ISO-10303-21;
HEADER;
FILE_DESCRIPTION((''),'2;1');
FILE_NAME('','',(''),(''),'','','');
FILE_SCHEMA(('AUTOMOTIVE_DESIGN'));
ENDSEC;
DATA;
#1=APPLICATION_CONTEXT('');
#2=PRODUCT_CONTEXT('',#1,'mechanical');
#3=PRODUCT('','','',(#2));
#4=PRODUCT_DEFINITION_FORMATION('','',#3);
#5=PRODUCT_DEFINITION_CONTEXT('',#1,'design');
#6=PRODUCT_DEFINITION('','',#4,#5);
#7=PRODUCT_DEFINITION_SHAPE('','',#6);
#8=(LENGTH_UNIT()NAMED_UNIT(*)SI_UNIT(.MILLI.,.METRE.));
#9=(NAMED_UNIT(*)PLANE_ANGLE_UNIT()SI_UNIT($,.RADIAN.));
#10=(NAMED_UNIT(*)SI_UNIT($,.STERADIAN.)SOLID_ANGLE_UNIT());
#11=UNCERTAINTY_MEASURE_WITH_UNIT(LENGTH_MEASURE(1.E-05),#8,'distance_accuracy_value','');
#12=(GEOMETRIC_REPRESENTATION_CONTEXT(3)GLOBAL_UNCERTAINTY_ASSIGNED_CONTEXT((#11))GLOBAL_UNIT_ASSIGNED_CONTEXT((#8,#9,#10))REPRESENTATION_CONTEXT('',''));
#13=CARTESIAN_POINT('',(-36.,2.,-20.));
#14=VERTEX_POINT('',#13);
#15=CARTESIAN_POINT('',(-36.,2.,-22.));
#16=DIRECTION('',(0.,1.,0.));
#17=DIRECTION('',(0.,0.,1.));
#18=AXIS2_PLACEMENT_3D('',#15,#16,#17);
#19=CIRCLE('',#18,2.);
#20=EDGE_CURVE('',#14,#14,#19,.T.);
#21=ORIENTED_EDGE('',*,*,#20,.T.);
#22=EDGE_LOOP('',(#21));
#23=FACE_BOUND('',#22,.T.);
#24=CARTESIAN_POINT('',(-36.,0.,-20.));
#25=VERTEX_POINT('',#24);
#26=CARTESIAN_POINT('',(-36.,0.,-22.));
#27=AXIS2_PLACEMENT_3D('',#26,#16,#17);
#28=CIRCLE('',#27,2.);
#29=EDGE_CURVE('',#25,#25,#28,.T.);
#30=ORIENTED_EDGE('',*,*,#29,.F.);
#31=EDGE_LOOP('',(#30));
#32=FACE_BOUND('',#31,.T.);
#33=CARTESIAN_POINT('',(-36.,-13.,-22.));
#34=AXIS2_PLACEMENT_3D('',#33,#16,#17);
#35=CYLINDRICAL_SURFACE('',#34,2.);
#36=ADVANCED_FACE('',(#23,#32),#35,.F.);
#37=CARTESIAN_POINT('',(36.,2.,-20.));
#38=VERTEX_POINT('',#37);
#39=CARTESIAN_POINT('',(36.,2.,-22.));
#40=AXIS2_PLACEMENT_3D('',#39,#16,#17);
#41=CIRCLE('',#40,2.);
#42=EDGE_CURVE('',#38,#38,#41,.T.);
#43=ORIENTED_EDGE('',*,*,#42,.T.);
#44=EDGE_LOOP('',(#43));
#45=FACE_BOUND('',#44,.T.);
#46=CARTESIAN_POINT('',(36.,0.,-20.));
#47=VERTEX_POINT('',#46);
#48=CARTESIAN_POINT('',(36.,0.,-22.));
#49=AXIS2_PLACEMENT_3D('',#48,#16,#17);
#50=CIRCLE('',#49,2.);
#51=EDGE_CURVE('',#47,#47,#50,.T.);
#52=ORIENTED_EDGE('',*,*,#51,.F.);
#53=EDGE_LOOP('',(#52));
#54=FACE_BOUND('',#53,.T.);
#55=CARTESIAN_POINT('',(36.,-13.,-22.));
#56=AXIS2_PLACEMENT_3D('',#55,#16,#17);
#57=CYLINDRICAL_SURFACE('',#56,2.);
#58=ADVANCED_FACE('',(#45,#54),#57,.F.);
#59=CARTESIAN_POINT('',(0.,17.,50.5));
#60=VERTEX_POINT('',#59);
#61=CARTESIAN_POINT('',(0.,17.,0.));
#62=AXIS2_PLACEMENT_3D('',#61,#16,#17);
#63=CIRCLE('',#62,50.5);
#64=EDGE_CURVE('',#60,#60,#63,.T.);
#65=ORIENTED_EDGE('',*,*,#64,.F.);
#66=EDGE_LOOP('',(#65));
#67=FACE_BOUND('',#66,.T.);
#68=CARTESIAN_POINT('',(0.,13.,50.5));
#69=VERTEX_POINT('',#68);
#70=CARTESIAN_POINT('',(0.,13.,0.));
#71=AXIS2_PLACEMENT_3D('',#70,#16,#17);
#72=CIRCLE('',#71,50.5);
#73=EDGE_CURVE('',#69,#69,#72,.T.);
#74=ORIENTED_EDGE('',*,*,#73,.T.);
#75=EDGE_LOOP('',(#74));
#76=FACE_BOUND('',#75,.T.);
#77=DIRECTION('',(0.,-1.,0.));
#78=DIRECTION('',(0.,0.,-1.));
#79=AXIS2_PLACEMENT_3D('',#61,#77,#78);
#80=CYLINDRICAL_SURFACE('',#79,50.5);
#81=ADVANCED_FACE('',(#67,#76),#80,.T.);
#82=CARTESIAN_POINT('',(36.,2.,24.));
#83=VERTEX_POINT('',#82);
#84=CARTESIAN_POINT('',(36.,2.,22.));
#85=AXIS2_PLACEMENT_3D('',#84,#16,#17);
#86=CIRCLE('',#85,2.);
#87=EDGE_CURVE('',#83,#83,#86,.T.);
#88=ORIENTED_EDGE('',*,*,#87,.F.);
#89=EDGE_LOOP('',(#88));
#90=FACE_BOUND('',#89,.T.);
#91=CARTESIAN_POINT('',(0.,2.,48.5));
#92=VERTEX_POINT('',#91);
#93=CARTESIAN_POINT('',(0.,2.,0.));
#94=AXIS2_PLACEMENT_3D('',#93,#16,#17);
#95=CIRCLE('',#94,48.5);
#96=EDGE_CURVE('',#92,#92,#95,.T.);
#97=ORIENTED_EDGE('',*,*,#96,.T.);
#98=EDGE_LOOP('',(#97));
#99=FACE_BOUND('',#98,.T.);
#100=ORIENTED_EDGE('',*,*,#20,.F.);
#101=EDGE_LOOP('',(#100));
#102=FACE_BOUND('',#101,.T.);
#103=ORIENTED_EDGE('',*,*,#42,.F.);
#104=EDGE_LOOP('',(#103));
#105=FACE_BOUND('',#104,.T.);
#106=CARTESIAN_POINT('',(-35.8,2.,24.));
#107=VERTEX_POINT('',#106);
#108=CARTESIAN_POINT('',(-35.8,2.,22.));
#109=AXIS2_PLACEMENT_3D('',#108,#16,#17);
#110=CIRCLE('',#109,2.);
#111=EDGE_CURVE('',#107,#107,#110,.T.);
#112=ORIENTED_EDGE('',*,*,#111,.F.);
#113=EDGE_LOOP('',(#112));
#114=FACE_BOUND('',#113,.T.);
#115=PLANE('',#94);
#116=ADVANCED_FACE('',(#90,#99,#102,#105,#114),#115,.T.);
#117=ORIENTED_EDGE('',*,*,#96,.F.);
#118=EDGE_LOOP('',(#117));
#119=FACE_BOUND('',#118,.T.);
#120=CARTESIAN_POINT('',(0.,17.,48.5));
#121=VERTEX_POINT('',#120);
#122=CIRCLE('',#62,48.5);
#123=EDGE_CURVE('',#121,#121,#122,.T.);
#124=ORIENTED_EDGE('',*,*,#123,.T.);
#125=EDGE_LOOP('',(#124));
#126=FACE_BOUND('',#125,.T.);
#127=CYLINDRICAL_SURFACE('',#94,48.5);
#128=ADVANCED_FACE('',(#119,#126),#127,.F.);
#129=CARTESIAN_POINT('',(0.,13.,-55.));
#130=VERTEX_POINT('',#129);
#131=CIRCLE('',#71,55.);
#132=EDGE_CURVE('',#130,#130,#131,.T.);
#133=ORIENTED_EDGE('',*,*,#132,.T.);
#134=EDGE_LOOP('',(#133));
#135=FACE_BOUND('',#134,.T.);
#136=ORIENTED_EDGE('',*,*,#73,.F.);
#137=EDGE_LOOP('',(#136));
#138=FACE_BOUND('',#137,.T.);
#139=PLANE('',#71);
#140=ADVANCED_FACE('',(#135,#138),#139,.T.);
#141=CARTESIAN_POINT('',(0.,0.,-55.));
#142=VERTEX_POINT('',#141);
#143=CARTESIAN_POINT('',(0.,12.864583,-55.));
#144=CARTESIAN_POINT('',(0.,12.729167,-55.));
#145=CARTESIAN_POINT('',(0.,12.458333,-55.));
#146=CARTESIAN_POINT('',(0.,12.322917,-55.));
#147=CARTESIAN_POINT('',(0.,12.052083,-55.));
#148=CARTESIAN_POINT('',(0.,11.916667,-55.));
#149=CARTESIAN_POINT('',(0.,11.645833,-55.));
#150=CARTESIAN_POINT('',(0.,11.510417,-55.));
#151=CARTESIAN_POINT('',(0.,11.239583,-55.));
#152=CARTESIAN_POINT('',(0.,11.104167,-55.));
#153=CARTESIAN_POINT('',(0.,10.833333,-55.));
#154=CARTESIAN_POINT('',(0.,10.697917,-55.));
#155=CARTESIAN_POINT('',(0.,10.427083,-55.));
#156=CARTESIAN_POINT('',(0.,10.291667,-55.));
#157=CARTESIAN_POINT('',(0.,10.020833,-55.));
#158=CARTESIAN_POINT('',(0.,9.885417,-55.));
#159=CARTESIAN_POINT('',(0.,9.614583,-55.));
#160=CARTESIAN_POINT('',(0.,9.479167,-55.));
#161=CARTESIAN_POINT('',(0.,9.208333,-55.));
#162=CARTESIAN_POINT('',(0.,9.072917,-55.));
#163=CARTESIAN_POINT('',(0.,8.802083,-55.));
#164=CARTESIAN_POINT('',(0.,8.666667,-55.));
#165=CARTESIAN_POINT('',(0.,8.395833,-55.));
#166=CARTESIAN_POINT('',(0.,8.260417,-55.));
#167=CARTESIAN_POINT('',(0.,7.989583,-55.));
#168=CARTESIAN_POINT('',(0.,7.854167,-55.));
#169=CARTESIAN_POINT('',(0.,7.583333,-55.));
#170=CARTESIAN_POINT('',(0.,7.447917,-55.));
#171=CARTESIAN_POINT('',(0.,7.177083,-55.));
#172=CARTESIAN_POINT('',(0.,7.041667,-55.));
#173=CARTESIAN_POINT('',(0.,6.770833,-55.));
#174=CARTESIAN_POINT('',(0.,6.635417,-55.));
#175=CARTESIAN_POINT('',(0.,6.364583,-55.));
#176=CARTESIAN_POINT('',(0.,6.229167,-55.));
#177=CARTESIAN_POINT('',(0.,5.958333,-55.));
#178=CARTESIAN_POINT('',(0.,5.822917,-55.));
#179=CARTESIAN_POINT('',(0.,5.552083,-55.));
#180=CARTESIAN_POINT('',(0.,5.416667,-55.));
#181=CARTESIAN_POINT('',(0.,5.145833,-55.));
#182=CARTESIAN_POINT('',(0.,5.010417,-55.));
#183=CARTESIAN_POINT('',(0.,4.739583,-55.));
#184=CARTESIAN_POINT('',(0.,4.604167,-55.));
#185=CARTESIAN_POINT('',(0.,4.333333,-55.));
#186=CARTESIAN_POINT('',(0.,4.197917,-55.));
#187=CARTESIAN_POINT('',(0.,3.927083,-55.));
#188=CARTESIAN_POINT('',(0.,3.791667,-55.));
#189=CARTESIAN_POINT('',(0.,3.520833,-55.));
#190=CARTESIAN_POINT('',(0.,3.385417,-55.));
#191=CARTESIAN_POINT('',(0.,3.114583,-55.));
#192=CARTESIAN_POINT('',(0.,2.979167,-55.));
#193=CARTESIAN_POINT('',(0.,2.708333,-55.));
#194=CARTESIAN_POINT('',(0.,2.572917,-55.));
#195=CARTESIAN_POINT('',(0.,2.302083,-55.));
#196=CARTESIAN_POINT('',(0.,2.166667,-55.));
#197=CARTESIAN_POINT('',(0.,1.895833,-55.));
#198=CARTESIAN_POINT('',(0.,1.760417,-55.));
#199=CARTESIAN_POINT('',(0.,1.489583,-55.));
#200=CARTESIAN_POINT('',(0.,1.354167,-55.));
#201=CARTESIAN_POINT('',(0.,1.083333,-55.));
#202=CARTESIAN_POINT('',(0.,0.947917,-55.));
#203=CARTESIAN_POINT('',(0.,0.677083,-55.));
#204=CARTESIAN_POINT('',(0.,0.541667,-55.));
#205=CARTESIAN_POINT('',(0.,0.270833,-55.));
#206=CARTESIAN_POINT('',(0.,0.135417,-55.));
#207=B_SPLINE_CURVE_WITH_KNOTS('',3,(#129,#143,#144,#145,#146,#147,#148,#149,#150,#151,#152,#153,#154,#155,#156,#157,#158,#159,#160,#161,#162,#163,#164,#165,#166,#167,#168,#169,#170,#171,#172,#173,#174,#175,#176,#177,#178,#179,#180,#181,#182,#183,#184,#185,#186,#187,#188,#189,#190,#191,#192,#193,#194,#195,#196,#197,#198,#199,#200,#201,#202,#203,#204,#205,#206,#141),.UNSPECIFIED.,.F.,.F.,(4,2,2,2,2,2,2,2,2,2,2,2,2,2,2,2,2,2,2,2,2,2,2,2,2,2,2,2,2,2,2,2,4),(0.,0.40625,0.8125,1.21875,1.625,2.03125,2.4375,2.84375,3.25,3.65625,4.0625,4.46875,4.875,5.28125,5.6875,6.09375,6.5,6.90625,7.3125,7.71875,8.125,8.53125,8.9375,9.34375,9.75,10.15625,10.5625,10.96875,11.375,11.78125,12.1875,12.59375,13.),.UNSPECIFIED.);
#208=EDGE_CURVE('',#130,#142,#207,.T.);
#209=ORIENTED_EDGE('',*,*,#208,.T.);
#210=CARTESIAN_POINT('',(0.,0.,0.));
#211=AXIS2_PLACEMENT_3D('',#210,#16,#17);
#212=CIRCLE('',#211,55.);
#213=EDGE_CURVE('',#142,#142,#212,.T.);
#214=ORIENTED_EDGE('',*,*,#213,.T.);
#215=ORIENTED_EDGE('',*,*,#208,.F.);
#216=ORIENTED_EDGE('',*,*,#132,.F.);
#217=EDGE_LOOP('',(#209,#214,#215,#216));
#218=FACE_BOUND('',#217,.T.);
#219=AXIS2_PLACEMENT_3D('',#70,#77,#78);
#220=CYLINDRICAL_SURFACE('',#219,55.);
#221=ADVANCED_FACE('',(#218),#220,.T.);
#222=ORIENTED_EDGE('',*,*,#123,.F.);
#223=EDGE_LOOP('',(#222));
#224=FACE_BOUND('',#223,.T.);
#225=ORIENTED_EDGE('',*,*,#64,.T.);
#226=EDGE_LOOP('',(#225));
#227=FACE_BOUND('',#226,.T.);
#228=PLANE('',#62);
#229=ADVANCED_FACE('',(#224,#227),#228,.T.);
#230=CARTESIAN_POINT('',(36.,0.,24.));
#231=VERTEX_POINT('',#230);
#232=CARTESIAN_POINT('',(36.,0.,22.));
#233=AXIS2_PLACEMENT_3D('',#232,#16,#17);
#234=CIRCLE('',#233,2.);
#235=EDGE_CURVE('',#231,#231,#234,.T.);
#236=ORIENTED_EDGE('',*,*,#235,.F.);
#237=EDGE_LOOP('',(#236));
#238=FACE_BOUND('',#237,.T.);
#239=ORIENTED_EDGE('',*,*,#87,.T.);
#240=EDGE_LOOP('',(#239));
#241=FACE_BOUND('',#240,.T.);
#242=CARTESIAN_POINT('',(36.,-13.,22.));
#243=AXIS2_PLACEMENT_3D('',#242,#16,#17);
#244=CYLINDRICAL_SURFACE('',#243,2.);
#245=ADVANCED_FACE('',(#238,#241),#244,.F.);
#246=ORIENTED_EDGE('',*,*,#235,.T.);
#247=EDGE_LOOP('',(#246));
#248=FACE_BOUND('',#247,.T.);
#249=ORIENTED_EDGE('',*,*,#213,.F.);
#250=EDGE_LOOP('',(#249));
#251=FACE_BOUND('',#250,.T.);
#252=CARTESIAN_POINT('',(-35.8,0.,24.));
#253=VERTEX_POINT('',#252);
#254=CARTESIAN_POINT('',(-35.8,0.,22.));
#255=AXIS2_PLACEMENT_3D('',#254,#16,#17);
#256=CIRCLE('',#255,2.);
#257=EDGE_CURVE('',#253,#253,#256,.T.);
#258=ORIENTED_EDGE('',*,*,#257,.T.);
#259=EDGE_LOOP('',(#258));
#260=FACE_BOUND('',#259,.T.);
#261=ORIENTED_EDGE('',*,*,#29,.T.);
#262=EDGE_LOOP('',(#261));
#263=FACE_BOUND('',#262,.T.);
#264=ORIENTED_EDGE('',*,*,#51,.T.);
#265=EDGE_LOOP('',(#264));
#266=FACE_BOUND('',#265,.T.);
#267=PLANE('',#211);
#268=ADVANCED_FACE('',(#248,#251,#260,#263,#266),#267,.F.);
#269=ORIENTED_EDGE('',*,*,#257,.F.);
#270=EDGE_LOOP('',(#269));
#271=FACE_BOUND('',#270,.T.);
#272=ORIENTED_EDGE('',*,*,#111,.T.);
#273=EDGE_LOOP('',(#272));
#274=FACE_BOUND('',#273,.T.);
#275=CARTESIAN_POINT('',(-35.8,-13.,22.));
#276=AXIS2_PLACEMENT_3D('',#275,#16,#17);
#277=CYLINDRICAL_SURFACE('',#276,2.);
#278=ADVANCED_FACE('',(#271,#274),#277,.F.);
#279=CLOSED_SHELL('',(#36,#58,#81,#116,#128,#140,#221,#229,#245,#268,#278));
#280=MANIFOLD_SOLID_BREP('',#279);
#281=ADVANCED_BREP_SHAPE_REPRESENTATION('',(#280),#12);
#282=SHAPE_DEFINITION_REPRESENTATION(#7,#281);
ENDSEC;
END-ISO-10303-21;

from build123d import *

# Parameters (mm, degrees)
SKETCH2_R           = 55
BOSS_EXTRUDE2_DEPTH = 13
SKETCH7_R           = 50.5
BOSS_EXTRUDE3_DEPTH = 4
SKETCH8_R           = 48.5
CUT_EXTRUDE3_DEPTH  = 15
SKETCH9_R           = 2
CUT_EXTRUDE4_DEPTH  = 15


with BuildPart() as part:
    # Sketch2 → Boss-Extrude2 (new body)
    with BuildSketch(Plane(origin=(0, 0, 0), x_dir=(1, 0, 0), z_dir=(0, 1, 0))):
        with Locations(Location((0, 0, 0), (0, 0, 90))):
            Circle(SKETCH2_R)
    extrude(amount=BOSS_EXTRUDE2_DEPTH)

    # Sketch7 → Boss-Extrude3 (add)
    with BuildSketch(Plane(origin=(0, 13, 0), x_dir=(1, 0, 0), z_dir=(0, 1, 0))):
        with Locations(Location((0, 0, 0), (0, 0, 270))):
            Circle(SKETCH7_R)
    extrude(amount=BOSS_EXTRUDE3_DEPTH)

    # Sketch8 → Cut-Extrude3 (cut)
    with BuildSketch(Plane(origin=(0, 17, 0), x_dir=(1, 0, 0), z_dir=(0, 1, 0))):
        with Locations(Location((0, 0, 0), (0, 0, 270))):
            Circle(SKETCH8_R)
    extrude(amount=-CUT_EXTRUDE3_DEPTH, mode=Mode.SUBTRACT)

    # Sketch9 → Cut-Extrude4 (cut)
    with BuildSketch(Plane(origin=(0, 2, 0), x_dir=(1, 0, 0), z_dir=(0, 1, 0))):
        with Locations(Location((36, -22, 0), (0, 0, 270))):
            Circle(SKETCH9_R)
        with Locations(Location((-36, 22, 0), (0, 0, 270))):
            Circle(SKETCH9_R)
        with Locations(Location((-35.8, -22, 0), (0, 0, 270))):
            Circle(SKETCH9_R)
        with Locations(Location((36, 22, 0), (0, 0, 270))):
            Circle(SKETCH9_R)
    extrude(amount=-CUT_EXTRUDE4_DEPTH, mode=Mode.SUBTRACT)


solid = part.part
